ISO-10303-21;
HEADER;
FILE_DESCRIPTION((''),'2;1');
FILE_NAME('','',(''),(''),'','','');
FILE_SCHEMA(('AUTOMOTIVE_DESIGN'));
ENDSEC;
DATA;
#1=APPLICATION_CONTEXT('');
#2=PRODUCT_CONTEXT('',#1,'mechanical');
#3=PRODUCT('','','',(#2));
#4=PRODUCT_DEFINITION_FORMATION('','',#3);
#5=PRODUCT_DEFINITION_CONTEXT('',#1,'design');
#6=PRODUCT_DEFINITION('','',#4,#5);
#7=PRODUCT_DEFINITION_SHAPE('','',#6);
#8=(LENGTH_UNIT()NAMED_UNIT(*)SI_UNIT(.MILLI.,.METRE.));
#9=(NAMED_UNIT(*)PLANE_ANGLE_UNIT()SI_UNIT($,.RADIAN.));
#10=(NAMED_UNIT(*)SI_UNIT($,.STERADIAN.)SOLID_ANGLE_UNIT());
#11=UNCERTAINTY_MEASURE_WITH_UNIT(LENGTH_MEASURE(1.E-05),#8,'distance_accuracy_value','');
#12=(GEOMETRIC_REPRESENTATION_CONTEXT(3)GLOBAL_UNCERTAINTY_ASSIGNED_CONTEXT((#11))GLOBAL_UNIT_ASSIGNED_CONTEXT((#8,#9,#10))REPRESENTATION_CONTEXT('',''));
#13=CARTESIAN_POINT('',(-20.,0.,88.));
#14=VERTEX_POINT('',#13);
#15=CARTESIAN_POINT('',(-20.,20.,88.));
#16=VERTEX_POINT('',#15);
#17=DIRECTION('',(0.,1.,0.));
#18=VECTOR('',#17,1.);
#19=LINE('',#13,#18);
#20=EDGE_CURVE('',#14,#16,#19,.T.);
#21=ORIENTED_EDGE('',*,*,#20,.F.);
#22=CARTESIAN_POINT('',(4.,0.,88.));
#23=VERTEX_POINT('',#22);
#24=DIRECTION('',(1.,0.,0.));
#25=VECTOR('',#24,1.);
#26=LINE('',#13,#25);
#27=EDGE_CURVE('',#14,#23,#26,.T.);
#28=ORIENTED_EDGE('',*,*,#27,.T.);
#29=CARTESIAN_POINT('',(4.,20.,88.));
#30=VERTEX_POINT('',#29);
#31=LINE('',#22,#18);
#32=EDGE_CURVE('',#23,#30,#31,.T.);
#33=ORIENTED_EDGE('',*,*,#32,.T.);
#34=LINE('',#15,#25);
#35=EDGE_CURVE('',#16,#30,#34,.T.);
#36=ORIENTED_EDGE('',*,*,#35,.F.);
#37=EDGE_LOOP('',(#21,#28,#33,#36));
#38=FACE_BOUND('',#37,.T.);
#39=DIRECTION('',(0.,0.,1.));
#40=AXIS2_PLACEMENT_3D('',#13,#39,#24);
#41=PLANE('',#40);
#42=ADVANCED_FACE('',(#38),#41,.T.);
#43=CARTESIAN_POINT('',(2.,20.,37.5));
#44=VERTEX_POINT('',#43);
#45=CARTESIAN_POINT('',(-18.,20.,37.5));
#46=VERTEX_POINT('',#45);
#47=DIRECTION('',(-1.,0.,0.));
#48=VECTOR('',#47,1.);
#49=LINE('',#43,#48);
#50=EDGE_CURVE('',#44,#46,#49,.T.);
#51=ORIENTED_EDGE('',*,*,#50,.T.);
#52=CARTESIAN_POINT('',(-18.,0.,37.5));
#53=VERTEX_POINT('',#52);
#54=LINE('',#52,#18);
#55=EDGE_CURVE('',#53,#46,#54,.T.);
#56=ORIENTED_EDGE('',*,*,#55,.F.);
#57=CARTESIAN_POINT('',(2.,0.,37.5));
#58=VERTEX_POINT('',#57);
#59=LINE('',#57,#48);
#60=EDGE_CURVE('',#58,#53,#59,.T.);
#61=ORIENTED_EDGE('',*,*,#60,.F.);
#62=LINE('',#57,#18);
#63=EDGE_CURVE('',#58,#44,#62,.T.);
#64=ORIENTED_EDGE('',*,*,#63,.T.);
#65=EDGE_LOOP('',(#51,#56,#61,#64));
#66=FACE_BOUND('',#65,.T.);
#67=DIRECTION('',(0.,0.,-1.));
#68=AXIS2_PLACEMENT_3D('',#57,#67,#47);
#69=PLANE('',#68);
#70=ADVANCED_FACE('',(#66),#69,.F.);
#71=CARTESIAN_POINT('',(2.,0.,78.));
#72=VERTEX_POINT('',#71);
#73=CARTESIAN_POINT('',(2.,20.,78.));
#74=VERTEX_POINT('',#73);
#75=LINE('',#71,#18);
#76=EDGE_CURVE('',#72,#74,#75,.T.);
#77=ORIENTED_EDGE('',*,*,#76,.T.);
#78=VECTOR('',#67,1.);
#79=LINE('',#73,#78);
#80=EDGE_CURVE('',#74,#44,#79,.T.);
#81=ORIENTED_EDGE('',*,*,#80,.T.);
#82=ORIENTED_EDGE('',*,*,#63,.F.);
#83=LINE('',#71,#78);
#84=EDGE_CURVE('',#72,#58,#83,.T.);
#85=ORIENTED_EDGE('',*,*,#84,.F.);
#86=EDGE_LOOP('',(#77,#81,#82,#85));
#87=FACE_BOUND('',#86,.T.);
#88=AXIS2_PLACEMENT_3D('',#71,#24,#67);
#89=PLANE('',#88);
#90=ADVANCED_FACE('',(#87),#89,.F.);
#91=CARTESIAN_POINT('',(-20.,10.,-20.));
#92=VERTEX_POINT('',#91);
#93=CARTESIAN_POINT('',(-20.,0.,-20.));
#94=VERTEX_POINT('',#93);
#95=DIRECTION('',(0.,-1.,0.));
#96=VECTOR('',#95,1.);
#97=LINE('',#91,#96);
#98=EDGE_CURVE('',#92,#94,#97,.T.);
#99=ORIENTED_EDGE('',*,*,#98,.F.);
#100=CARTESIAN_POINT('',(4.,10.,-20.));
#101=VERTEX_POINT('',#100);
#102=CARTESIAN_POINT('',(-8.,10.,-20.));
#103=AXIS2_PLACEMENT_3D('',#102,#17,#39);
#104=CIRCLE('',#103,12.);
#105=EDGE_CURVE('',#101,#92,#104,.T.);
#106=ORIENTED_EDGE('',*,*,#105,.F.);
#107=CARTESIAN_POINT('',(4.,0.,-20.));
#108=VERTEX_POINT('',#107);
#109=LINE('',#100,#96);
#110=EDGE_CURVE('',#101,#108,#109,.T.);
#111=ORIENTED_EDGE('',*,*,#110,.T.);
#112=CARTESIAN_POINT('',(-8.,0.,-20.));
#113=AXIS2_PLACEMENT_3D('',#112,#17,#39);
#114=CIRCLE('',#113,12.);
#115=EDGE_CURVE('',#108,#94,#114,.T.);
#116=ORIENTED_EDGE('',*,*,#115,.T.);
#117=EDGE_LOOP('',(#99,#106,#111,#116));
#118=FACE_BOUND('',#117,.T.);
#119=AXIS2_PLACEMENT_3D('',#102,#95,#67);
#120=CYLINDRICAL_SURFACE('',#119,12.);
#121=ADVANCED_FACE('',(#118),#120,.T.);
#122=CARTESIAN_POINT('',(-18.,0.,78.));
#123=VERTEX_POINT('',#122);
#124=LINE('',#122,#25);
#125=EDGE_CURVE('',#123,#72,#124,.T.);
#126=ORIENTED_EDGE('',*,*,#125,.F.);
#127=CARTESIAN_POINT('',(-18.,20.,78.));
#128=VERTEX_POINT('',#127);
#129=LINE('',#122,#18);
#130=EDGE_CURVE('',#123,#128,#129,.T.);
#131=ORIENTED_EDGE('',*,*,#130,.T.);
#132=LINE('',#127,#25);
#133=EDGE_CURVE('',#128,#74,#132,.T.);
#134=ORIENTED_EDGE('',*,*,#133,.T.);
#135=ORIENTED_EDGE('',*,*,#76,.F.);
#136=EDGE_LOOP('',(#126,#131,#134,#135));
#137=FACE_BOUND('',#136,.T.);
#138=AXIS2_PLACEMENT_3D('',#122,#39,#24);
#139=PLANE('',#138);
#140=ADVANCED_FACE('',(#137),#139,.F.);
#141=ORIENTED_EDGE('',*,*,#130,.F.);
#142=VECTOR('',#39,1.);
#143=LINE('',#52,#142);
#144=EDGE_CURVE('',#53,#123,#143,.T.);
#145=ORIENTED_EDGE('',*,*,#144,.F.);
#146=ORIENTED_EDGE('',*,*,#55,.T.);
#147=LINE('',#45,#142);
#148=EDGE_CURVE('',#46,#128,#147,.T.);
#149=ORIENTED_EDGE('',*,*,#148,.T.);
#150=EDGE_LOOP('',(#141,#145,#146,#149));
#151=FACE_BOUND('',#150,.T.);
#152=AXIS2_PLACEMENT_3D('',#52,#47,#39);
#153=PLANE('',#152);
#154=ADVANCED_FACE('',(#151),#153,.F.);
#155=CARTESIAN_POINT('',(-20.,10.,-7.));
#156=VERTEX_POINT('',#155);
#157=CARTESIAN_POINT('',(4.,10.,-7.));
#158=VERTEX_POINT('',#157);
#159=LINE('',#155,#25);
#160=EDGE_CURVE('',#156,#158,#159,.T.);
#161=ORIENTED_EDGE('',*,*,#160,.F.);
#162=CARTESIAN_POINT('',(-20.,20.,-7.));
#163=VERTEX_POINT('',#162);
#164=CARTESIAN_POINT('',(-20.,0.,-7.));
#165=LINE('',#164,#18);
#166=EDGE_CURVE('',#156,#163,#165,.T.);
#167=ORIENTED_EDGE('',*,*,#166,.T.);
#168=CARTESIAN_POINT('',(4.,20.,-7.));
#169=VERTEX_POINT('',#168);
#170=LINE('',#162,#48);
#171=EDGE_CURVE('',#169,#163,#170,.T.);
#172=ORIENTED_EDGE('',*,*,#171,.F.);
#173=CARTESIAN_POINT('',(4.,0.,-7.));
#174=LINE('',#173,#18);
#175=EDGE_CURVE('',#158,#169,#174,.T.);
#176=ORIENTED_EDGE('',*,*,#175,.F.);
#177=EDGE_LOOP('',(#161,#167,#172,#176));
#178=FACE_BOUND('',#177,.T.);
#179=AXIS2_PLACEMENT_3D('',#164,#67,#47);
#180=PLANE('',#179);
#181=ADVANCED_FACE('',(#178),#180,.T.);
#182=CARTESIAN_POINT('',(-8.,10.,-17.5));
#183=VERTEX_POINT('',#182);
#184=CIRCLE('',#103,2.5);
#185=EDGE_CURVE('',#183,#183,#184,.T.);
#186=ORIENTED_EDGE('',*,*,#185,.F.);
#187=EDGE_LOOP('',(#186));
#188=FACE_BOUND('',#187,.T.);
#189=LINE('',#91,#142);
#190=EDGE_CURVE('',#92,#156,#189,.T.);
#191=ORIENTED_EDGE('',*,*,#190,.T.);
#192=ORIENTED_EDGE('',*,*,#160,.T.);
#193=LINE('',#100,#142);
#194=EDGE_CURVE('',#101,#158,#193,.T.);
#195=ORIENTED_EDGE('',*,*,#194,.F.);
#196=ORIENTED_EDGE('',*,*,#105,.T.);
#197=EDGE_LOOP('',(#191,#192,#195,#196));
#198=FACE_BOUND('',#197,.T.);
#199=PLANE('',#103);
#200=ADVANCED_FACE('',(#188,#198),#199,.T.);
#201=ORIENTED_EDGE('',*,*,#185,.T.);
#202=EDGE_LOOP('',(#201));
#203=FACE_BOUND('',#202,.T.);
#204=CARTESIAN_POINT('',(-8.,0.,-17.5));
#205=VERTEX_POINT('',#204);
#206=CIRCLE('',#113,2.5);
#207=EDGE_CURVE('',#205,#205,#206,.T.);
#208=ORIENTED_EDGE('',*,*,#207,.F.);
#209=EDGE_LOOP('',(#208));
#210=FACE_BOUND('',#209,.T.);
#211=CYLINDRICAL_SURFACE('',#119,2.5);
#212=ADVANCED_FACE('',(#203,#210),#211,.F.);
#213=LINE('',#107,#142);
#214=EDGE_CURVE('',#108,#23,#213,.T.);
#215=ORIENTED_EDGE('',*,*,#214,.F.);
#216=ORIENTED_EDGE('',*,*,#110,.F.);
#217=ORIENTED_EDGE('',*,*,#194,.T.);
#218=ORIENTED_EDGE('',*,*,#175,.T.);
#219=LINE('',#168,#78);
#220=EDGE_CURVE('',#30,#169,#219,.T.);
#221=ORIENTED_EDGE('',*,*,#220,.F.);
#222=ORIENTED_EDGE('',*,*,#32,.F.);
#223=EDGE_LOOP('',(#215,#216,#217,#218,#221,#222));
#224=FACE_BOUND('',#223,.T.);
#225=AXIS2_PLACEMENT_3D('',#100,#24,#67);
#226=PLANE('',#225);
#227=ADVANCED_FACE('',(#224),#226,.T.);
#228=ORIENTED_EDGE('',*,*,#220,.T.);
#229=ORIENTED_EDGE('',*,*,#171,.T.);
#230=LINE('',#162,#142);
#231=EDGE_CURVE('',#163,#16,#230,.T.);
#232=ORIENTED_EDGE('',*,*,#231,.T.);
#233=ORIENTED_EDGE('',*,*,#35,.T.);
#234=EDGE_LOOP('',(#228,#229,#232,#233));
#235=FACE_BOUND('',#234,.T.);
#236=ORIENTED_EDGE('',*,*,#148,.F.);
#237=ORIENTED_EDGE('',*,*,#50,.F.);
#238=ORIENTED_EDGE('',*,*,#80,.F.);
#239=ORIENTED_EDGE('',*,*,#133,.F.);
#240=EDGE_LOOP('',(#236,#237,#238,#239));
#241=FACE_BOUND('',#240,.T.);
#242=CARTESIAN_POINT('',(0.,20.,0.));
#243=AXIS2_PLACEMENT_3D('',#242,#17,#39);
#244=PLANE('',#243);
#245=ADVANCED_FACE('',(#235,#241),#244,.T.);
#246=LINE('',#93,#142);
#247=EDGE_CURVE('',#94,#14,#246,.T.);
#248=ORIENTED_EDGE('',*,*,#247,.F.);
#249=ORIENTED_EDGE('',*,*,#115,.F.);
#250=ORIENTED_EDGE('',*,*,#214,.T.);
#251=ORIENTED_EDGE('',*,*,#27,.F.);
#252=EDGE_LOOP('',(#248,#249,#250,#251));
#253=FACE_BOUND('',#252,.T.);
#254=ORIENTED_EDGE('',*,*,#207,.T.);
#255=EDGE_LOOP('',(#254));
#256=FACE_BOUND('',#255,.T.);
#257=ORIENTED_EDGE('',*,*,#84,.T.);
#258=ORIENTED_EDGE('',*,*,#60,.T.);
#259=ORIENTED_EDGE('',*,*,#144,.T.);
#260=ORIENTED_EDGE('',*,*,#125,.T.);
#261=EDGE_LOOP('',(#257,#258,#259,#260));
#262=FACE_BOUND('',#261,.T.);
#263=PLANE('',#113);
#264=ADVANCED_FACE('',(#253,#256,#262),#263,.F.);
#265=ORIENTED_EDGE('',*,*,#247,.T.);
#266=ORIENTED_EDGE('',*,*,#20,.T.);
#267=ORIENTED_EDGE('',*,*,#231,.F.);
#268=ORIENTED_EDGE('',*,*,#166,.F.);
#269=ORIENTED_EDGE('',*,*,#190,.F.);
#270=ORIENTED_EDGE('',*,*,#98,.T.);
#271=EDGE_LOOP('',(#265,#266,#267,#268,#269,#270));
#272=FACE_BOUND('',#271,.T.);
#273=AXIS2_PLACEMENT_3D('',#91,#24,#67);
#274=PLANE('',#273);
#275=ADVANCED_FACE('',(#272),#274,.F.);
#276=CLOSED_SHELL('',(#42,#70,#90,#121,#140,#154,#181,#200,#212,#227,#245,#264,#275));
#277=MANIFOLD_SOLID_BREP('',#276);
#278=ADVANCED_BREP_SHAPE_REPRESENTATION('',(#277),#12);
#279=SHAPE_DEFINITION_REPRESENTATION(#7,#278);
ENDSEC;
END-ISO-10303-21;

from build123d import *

# Parameters (mm, degrees)
SKETCH3_R                = 2.5
BOSS_EXTRUDE2_DEPTH      = 10
BOSS_EXTRUDE3_DEPTH      = 10
BOSS_EXTRUDE3_DEPTH_BACK = 10
SKETCH4_W                = 24
SKETCH4_H                = 95
SKETCH4_W_2              = 20
SKETCH4_H_2              = 40.5


with BuildPart() as part:
    # Sketch3 → Boss-Extrude2 (new body)
    with BuildSketch(Plane(origin=(0, 0, 0), x_dir=(1, 0, 0), z_dir=(0, 1, 0))):
        with BuildLine():
            ThreePointArc((4, 20), (-8, 32), (-20, 20))
            Line((-20, 20), (-20, 7))
            Line((-20, 7), (4, 7))
            Line((4, 7), (4, 20))
        make_face()
        with Locations((-8, 20)):
            Circle(SKETCH3_R, mode=Mode.SUBTRACT)
    extrude(amount=BOSS_EXTRUDE2_DEPTH)

    # Sketch4 → Boss-Extrude3 (add, two sides: drawn at the far end of the back side and taken through both)
    with BuildSketch(Plane(origin=(0, 10, 0), x_dir=(1, 0, 0), z_dir=(0, 1, 0)).offset(-BOSS_EXTRUDE3_DEPTH_BACK)):
        with Locations((-8, -40.5)):
            Rectangle(SKETCH4_W, SKETCH4_H)
        with Locations((-8, -57.75)):
            Rectangle(SKETCH4_W_2, SKETCH4_H_2, mode=Mode.SUBTRACT)
    extrude(amount=BOSS_EXTRUDE3_DEPTH + BOSS_EXTRUDE3_DEPTH_BACK)


solid = part.part
